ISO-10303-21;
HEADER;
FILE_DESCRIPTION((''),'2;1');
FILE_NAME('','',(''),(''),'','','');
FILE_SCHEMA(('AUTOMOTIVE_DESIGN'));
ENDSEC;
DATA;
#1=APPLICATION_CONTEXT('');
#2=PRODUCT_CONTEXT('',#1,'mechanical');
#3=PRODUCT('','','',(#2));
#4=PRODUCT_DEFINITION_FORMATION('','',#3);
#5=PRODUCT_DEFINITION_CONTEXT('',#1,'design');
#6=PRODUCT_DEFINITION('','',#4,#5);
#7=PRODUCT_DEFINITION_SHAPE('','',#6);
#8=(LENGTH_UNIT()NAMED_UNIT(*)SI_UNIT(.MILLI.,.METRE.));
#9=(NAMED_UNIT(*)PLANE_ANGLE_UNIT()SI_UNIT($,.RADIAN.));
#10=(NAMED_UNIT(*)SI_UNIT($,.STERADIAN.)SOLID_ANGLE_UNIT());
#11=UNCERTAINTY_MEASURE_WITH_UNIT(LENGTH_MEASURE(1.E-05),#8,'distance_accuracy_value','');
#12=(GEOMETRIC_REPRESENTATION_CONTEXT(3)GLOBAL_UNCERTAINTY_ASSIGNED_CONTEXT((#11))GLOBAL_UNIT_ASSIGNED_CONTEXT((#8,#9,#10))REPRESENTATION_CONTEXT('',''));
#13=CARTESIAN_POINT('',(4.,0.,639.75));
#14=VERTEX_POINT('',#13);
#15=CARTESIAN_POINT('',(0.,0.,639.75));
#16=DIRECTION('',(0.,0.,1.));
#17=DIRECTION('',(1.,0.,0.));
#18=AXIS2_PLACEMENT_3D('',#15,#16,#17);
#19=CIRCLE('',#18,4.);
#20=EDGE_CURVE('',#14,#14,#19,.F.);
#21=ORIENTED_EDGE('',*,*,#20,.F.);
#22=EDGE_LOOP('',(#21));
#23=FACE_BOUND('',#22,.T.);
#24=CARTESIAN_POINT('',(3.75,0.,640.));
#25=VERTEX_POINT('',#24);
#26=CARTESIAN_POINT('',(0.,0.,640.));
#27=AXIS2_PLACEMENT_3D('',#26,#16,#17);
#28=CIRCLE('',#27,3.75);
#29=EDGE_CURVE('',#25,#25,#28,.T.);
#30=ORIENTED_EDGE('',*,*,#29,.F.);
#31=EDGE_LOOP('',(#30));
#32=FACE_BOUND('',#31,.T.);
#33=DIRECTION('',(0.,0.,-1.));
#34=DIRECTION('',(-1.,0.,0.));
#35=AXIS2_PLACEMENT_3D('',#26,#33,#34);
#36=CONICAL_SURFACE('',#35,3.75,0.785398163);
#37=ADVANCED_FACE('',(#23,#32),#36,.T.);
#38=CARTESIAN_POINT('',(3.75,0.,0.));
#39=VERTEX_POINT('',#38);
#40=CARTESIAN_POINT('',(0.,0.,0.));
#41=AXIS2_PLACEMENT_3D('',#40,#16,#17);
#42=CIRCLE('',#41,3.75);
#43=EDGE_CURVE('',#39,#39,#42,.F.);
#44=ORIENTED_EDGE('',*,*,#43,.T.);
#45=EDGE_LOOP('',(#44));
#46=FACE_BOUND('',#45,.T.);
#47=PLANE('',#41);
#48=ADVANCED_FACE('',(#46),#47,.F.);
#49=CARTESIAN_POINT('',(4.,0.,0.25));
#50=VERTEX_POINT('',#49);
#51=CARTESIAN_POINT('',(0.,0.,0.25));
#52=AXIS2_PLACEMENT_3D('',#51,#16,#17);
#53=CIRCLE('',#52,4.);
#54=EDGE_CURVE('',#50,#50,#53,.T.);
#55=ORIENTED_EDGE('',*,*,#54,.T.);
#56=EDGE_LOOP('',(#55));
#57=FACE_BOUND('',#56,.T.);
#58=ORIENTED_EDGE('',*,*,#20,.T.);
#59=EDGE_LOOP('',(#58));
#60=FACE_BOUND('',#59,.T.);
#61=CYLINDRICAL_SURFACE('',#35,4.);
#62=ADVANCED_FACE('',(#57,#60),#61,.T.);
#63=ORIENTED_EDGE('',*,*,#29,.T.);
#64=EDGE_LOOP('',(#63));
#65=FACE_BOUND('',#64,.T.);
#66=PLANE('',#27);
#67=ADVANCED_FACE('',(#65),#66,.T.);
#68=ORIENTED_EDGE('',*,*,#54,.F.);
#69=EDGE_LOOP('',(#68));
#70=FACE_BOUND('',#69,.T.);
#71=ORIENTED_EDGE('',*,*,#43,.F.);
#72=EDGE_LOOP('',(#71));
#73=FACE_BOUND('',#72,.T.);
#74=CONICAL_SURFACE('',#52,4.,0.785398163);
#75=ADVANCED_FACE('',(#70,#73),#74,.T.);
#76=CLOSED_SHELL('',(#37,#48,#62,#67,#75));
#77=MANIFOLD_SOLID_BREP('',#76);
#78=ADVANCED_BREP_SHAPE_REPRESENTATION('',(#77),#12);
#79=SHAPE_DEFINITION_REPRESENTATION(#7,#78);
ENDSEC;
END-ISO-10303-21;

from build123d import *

# Parameters (mm, degrees)
SCHIZZO1_R                   = 4
ESTRUSIONE_ESTRUSIONE1_DEPTH = 640
SMUSSO1_SIZE                 = 0.25


with BuildPart() as part:
    # Schizzo1 → Estrusione-Estrusione1 (new body)
    with BuildSketch(Plane.XY):
        Circle(SCHIZZO1_R)
    extrude(amount=ESTRUSIONE_ESTRUSIONE1_DEPTH)

    # Smusso1
    smusso1_edges = [part.edges().sort_by_distance(p)[0] for p in [
        (-4, 0, 0),
        (-4, 0, 640),
    ]]
    chamfer(smusso1_edges, length=SMUSSO1_SIZE)


solid = part.part
